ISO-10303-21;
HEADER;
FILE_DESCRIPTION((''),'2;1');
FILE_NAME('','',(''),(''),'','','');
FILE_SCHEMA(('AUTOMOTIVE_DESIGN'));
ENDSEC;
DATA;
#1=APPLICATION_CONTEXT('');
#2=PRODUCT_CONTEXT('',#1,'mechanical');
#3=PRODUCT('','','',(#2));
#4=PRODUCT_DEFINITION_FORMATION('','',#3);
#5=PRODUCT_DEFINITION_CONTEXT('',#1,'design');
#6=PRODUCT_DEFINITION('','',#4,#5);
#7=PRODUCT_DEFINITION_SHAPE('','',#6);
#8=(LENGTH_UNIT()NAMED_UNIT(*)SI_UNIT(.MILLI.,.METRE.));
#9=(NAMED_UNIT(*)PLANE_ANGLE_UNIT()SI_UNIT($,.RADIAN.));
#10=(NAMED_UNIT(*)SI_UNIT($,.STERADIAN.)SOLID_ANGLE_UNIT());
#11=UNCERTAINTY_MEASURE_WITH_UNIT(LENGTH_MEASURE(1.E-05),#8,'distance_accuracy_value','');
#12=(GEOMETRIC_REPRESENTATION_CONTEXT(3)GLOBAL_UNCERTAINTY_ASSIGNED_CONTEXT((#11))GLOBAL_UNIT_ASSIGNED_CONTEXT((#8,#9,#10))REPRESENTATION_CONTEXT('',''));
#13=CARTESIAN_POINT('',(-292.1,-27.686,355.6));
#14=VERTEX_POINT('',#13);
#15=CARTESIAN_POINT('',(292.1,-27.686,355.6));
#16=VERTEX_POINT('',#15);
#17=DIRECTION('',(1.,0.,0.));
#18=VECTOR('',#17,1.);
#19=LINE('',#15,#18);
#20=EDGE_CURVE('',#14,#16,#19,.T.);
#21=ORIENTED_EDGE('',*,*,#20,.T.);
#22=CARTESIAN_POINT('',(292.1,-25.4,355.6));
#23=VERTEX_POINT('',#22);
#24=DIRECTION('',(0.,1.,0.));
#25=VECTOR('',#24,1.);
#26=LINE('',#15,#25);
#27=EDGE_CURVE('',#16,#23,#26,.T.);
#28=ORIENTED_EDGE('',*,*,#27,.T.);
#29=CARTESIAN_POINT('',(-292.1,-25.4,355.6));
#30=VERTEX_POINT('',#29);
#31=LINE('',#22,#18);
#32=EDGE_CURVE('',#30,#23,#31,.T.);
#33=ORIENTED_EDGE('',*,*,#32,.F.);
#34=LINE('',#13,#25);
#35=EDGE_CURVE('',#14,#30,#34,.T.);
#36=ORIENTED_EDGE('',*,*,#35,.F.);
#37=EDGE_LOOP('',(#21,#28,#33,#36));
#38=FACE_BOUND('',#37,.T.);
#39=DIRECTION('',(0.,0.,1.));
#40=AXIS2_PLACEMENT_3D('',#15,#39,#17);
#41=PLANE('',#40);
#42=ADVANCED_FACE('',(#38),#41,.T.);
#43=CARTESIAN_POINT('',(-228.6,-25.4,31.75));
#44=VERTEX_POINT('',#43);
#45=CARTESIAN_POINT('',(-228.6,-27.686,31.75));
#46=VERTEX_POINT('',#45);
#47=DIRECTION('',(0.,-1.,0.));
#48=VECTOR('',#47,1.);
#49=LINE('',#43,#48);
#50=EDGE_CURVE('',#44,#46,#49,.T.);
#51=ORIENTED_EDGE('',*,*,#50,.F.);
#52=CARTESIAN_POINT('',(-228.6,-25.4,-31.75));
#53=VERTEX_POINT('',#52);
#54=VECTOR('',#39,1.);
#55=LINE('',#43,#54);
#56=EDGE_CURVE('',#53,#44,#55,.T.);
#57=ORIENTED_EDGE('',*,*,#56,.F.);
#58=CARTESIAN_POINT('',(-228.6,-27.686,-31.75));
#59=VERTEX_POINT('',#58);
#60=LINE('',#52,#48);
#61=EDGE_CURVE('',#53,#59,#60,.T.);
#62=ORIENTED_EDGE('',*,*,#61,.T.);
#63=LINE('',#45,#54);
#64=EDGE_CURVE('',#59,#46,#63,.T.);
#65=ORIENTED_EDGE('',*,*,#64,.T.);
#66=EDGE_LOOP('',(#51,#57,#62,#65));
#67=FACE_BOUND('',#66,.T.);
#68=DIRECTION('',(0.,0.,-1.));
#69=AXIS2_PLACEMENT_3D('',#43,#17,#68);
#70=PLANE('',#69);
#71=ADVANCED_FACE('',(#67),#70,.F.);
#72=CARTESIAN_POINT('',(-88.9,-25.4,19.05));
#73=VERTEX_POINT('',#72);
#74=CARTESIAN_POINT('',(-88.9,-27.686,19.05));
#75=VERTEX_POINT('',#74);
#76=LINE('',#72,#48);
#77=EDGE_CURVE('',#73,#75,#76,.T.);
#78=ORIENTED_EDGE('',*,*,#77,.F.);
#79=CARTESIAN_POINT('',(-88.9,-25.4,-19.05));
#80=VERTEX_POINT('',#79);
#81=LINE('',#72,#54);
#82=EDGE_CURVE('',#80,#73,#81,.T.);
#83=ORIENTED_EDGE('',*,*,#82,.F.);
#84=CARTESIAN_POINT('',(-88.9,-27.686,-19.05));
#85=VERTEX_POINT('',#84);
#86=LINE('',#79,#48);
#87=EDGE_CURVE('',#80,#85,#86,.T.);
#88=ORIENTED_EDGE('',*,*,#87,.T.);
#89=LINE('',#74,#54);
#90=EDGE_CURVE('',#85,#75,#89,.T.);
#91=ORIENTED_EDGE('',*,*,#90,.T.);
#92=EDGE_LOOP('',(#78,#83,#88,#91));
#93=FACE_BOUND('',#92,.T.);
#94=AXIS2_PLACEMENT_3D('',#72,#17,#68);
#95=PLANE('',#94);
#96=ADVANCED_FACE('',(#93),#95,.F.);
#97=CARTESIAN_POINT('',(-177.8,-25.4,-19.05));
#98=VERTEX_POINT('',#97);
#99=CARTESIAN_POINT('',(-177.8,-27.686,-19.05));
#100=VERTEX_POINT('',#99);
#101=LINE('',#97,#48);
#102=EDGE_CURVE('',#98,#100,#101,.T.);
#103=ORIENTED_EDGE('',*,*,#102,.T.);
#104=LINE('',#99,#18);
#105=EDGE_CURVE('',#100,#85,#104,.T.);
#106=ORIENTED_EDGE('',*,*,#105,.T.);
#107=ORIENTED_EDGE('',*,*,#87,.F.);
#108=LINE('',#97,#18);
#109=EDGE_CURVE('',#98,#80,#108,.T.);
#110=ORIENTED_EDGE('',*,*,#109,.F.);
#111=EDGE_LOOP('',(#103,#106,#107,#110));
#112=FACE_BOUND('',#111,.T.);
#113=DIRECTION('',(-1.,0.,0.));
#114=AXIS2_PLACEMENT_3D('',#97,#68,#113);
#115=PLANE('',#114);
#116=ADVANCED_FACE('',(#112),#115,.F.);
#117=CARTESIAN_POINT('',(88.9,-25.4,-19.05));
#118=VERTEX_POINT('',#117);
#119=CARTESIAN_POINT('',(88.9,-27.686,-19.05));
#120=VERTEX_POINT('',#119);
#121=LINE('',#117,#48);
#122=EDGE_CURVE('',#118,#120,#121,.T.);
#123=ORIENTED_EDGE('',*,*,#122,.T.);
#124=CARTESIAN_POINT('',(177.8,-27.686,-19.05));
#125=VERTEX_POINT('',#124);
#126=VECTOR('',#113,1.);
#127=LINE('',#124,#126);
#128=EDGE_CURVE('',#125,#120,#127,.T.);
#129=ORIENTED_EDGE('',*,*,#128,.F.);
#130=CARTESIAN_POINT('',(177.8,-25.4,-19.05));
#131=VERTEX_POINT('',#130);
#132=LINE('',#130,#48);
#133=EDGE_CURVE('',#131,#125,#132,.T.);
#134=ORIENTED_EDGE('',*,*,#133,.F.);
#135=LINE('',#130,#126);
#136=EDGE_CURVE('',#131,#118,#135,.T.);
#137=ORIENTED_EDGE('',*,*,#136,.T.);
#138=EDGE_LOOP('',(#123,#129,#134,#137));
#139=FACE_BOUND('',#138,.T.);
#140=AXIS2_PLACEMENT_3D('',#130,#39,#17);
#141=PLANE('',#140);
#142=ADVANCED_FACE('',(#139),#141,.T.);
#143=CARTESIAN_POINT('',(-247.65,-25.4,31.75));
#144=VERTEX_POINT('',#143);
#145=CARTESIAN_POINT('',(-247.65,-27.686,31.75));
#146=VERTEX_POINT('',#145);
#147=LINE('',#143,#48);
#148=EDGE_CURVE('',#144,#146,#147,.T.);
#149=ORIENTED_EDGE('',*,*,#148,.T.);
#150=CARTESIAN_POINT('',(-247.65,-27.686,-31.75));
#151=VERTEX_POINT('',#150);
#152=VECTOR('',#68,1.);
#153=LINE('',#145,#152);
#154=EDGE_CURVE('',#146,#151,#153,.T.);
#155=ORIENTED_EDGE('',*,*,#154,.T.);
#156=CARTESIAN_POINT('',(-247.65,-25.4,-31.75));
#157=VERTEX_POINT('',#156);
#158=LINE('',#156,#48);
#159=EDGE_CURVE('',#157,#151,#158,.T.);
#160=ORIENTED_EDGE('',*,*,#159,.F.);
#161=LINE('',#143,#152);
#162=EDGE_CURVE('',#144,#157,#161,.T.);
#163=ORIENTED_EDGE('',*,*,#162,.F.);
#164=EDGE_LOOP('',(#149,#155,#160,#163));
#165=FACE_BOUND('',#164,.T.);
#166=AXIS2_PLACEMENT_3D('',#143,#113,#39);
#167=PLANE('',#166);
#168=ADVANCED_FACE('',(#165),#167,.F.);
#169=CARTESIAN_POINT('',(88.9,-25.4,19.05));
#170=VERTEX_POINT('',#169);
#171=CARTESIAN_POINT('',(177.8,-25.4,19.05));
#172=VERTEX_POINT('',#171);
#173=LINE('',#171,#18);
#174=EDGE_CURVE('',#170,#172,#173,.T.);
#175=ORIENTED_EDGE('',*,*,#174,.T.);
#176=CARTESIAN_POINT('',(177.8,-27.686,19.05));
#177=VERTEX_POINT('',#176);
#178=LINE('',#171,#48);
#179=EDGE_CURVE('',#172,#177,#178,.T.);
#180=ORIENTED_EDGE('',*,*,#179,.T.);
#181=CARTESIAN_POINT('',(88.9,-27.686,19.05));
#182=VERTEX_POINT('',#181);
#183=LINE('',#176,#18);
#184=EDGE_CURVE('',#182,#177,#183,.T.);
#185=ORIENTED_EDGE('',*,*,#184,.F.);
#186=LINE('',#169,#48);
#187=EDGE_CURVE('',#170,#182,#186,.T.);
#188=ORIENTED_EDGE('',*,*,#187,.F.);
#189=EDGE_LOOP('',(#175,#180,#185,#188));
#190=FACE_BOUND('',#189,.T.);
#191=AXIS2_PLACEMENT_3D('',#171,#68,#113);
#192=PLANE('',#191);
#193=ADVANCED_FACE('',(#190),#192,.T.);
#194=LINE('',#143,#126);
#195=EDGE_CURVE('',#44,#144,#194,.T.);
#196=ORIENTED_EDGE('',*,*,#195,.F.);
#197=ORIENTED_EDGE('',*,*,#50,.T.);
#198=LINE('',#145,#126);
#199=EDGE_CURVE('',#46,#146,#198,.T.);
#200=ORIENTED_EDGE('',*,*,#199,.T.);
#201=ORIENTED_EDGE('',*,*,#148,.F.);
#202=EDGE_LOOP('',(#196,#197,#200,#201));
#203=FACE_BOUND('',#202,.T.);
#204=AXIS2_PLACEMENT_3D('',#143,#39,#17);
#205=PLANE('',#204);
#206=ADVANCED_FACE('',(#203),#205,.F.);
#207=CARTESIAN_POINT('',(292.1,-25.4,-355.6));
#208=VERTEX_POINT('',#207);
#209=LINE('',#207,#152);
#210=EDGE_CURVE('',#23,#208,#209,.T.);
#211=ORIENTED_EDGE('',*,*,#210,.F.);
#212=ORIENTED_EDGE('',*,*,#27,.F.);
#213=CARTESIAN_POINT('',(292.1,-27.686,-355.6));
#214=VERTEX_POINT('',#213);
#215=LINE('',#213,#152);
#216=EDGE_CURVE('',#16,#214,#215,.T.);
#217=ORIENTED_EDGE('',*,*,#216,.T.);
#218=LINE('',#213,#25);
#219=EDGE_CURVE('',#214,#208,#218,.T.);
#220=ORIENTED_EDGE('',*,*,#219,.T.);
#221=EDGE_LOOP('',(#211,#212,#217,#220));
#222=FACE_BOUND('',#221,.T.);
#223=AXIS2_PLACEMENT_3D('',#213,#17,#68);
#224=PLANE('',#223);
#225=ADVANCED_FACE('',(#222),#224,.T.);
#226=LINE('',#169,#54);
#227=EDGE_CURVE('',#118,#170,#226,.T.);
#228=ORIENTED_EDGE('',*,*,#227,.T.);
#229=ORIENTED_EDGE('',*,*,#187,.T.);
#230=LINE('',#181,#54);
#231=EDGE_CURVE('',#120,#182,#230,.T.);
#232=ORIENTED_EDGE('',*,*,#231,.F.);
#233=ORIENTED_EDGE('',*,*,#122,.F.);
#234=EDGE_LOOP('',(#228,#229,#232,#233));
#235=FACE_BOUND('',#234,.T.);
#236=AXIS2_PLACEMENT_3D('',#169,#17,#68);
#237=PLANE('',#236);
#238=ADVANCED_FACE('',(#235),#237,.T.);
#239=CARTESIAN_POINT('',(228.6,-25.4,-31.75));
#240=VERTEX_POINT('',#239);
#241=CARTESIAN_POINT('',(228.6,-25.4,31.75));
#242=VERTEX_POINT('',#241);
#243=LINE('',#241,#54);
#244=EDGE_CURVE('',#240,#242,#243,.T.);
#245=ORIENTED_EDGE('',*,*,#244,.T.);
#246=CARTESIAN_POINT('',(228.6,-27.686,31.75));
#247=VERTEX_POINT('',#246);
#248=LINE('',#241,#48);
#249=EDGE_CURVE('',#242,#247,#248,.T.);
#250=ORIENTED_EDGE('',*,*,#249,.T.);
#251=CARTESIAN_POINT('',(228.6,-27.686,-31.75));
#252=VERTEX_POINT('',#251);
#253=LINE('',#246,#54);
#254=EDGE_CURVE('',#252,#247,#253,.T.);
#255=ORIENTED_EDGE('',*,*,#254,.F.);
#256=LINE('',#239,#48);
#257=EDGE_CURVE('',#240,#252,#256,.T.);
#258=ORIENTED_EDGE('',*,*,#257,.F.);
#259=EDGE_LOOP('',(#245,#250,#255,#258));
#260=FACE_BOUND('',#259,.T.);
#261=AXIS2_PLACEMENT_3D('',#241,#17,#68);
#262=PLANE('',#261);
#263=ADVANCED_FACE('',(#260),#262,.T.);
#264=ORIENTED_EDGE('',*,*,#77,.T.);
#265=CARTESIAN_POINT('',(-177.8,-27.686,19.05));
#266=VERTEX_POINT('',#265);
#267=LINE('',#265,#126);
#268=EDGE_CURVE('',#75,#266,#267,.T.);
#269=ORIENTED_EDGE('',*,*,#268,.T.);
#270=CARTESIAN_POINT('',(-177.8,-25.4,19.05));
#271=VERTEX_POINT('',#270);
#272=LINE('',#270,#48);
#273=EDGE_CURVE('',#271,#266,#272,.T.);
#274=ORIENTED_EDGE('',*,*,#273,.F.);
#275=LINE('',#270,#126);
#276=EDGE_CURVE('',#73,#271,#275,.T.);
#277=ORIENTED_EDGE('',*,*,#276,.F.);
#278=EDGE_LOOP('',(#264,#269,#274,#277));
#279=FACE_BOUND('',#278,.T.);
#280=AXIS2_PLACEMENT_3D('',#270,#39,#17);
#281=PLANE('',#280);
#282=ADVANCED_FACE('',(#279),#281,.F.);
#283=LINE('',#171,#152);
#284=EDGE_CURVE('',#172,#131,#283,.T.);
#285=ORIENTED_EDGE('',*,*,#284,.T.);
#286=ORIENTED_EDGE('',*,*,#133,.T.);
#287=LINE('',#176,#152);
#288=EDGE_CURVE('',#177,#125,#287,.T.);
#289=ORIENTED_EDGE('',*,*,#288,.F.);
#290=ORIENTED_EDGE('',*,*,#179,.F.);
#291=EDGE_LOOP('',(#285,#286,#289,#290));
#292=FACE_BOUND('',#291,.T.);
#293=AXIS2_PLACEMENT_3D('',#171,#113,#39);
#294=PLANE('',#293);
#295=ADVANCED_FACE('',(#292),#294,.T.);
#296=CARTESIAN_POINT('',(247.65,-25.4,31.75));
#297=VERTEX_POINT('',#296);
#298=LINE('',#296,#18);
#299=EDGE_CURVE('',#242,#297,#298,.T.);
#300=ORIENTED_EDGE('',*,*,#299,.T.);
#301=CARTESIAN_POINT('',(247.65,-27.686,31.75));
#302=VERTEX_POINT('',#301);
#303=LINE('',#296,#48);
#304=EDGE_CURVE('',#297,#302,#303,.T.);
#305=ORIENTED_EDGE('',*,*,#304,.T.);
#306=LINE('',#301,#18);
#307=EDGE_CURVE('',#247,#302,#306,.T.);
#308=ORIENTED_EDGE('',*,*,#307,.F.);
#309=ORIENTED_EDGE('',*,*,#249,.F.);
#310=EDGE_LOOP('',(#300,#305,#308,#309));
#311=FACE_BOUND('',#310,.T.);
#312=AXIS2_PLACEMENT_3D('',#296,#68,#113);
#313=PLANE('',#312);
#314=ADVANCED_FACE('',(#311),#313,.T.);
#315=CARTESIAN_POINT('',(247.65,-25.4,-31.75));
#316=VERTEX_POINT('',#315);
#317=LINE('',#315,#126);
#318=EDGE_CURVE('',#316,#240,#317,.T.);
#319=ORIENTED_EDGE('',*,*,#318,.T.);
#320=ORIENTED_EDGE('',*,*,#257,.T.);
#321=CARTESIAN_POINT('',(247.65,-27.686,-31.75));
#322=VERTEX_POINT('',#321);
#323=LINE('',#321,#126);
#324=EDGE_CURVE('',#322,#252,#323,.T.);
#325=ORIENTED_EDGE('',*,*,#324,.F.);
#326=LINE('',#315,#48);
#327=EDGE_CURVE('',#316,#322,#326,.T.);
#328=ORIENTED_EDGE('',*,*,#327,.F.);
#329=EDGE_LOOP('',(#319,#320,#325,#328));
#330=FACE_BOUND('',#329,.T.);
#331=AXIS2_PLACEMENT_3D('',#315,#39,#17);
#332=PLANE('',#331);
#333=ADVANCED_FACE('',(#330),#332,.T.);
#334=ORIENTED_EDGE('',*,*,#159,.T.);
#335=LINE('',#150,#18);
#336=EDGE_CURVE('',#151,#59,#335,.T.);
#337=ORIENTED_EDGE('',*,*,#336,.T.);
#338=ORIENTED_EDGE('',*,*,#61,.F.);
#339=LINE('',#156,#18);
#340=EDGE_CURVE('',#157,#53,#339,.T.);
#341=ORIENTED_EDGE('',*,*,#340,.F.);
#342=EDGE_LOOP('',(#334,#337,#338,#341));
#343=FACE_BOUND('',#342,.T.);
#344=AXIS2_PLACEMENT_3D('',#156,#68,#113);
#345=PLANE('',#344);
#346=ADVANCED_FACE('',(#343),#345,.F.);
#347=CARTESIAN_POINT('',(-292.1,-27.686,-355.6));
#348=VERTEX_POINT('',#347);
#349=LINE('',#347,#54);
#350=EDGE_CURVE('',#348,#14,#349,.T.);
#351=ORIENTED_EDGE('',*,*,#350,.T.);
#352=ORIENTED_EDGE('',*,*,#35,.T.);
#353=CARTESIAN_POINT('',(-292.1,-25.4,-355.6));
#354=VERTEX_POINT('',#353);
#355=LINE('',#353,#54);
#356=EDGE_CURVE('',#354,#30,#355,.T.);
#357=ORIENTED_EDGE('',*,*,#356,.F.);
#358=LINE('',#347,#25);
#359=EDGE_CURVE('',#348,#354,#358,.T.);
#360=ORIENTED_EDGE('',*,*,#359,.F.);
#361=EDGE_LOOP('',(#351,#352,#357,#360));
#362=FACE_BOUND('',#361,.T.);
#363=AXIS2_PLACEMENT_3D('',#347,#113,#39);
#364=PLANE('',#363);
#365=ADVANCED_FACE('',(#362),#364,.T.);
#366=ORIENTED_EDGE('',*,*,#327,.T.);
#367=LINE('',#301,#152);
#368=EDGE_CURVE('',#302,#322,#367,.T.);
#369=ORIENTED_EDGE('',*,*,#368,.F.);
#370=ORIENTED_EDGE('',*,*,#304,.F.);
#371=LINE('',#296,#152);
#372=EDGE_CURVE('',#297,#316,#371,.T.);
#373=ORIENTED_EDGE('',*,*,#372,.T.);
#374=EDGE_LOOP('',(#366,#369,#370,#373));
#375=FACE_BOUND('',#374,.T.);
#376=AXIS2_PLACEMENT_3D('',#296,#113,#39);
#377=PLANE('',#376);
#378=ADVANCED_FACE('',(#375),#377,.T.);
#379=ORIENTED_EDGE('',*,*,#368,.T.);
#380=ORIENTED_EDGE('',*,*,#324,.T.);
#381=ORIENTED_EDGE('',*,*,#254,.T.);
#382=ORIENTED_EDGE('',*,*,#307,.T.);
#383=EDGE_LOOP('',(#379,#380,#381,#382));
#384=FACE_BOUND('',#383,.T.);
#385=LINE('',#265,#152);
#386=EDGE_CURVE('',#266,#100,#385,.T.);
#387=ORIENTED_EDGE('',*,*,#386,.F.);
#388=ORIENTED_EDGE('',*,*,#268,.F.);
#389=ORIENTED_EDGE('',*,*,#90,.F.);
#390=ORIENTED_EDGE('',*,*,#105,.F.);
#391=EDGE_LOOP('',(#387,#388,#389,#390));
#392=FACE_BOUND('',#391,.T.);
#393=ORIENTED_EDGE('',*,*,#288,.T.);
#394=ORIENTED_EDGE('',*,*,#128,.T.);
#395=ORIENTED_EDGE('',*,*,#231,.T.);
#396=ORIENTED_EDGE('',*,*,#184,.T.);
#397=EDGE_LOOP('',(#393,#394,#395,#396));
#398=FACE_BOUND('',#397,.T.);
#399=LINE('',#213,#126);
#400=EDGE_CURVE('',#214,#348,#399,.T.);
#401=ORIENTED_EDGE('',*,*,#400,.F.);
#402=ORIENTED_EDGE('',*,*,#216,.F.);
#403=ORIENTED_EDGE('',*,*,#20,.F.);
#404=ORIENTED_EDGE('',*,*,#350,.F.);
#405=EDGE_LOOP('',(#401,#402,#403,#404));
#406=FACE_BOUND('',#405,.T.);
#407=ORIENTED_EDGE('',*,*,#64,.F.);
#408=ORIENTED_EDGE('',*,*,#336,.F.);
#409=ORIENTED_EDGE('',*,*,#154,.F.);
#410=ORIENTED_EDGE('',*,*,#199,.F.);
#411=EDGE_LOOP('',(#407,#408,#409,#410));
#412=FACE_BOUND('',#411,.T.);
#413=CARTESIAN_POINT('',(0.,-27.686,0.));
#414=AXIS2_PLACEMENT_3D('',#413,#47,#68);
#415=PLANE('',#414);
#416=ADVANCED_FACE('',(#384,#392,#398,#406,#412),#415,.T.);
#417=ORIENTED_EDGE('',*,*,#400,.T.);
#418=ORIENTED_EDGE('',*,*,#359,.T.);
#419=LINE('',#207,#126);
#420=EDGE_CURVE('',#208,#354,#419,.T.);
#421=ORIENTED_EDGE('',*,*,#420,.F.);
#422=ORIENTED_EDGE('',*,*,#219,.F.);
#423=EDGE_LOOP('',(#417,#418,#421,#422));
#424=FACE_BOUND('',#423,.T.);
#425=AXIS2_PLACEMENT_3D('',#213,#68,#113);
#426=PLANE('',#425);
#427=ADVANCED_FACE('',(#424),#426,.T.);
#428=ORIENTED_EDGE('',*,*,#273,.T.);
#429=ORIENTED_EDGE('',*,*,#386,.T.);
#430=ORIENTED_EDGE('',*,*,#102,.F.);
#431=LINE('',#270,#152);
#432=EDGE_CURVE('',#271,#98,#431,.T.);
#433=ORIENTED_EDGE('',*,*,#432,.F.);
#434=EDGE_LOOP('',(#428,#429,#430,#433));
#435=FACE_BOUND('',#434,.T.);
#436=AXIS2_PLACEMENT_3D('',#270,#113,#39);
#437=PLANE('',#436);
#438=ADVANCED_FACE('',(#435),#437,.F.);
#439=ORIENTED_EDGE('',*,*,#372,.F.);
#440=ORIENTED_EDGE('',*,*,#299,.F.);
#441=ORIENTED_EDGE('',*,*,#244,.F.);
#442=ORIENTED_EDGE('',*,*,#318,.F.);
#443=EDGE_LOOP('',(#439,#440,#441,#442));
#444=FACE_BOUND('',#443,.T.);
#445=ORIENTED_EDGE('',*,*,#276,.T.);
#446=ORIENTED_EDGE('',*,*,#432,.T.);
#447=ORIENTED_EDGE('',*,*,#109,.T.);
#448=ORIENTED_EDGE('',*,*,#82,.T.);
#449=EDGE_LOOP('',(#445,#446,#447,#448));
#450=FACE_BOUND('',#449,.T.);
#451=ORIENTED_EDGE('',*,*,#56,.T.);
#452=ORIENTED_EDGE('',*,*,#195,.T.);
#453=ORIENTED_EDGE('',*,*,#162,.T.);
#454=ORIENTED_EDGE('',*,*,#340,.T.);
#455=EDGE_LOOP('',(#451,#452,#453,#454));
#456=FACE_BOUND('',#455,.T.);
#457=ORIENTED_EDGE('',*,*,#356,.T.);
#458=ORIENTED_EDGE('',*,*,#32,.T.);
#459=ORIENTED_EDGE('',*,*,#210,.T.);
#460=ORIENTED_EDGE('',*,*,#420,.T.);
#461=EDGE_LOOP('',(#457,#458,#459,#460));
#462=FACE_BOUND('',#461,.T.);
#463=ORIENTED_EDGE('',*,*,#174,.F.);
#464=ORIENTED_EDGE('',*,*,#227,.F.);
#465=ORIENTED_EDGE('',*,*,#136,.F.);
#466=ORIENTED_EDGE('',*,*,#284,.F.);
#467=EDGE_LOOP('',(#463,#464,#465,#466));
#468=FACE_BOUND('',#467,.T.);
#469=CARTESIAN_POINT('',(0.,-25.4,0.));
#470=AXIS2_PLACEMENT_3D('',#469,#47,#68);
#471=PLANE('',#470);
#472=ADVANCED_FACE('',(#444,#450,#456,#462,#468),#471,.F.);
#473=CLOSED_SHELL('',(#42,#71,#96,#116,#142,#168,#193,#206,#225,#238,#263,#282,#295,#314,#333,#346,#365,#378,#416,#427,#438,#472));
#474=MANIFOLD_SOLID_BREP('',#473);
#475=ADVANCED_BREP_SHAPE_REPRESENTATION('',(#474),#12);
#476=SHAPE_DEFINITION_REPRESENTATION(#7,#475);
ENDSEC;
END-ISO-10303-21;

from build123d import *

# Parameters (mm, degrees)
SKETCH1_W           = 584.2
SKETCH1_H           = 711.2
BOSS_EXTRUDE1_DEPTH = 2.286
SKETCH3_W           = 19.05
SKETCH3_H           = 63.5
SKETCH3_W_2         = 88.9
SKETCH3_H_2         = 38.1
CUT_EXTRUDE1_DEPTH  = 461.19451952


with BuildPart() as part:
    # Sketch1 → Boss-Extrude1 (new body)
    with BuildSketch(Plane(origin=(0, -25.4, 330.2), x_dir=(1, 0, 0), z_dir=(0, 1, 0))):
        with Locations((0, 330.2)):
            Rectangle(SKETCH1_W, SKETCH1_H)
    extrude(amount=-BOSS_EXTRUDE1_DEPTH)

    # Sketch3 → Cut-Extrude1 (cut, through all)
    with BuildSketch(Plane(origin=(0, -27.686, 0), x_dir=(-1, 0, 0), z_dir=(0, -1, 0))):
        with Locations((238.125, 0)):
            Rectangle(SKETCH3_W, SKETCH3_H)
        with Locations((133.35, 0)):
            Rectangle(SKETCH3_W_2, SKETCH3_H_2)
    cut_extrude1 = extrude(amount=-CUT_EXTRUDE1_DEPTH, mode=Mode.SUBTRACT)

    # Mirror1: Cut-Extrude1 across plane
    add(cut_extrude1.mirror(Plane(origin=(0, 0, 0), x_dir=(0, 0, 1), z_dir=(1, 0, 0))), mode=Mode.SUBTRACT)


solid = part.part
